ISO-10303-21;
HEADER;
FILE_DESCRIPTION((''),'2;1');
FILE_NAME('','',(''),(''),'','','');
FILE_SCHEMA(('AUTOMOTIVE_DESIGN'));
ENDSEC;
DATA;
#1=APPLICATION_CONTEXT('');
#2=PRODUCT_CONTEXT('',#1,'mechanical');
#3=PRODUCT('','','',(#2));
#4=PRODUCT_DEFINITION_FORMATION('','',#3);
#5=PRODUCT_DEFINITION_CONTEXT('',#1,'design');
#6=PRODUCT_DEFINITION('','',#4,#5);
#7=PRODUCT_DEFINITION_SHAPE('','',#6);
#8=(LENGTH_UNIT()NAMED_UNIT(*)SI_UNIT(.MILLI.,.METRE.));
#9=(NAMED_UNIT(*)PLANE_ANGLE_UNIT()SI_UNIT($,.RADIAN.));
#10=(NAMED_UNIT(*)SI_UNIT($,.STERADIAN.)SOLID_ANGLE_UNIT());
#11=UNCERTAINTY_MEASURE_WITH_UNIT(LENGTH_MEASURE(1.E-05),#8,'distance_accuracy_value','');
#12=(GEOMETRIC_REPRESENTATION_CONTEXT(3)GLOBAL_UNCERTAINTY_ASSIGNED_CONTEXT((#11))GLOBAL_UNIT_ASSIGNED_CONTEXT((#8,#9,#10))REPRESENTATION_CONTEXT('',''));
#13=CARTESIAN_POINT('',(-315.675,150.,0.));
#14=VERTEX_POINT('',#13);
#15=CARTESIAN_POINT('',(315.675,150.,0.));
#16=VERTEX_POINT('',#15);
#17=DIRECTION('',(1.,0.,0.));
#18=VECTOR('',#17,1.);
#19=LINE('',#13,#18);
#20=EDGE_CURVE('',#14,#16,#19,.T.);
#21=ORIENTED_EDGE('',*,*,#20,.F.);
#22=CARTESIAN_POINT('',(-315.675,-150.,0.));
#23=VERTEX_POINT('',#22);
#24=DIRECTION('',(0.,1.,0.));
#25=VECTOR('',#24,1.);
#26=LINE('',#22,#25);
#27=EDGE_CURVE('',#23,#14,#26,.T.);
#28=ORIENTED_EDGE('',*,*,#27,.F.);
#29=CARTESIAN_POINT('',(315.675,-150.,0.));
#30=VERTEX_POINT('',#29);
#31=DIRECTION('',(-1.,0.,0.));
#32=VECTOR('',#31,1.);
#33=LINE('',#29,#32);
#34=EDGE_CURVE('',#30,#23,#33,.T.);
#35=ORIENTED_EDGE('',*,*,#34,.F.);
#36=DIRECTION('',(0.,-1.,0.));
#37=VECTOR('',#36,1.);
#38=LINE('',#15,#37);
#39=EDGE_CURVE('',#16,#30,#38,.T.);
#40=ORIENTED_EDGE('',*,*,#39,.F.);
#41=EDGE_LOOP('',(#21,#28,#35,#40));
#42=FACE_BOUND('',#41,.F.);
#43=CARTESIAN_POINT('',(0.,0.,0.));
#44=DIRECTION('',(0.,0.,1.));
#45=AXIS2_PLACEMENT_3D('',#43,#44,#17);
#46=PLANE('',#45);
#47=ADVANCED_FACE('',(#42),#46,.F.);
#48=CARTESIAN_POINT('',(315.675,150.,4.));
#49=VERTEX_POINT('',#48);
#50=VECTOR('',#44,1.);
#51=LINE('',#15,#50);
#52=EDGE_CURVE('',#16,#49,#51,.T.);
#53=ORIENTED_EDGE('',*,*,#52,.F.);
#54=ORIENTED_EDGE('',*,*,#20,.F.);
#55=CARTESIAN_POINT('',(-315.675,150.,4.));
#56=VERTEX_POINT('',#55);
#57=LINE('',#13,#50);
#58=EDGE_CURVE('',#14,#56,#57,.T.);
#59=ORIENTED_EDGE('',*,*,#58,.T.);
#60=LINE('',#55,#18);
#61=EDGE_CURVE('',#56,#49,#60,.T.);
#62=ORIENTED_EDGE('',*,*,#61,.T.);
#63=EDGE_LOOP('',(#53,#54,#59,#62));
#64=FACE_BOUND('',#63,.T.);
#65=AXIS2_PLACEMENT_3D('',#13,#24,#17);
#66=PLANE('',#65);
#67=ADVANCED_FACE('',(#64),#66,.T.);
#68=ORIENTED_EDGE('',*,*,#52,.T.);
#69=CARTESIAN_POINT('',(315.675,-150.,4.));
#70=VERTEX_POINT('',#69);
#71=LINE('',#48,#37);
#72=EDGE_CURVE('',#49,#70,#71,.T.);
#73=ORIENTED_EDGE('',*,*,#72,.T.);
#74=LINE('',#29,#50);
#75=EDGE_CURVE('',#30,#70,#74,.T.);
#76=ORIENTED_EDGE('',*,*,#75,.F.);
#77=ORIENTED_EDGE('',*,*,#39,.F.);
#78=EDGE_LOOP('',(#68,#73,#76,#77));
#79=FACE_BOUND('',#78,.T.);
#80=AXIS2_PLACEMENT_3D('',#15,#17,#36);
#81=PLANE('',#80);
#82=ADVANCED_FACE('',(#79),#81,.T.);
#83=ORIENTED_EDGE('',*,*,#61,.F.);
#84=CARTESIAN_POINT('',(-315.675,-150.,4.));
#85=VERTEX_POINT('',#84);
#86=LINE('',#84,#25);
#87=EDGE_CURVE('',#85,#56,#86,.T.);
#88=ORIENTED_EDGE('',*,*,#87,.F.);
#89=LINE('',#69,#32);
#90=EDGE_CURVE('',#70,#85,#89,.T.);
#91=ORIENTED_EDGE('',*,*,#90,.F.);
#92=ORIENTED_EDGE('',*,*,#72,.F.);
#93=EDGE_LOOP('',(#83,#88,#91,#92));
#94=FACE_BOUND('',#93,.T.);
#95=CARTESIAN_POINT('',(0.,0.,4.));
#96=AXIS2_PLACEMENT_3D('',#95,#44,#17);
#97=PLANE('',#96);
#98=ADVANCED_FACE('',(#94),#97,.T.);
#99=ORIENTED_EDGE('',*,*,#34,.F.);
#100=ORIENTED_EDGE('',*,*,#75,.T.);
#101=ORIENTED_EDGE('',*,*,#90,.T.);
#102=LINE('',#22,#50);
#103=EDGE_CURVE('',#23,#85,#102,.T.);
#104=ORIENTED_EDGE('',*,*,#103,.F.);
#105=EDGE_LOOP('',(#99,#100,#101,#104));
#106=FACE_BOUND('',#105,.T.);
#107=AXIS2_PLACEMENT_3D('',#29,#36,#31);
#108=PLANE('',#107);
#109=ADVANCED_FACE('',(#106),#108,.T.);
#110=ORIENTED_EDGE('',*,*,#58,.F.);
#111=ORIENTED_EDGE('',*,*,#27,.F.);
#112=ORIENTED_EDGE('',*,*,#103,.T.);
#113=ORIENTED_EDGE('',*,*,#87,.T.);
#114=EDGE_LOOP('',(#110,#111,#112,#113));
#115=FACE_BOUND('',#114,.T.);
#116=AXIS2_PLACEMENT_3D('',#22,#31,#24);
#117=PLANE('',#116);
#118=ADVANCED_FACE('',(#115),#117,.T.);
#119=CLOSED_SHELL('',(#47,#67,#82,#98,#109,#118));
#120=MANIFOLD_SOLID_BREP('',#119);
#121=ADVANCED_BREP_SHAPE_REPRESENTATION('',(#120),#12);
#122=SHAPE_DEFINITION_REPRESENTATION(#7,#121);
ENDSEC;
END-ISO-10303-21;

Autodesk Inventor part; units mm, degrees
ref_plane "YZ Plane" through (0, 0, 0) normal (1, 0, 0) x (0, 1, 0)
ref_plane "XZ Plane" through (0, 0, 0) normal (0, 1, 0) x (-1, 0, 0)
ref_plane "XY Plane" through (0, 0, 0) normal (0, 0, 1) x (1, 0, 0)
sketch "Esboço1" plane through (0, 0, 0) normal (0, 0, 1) x (1, 0, 0)
  line L0 (315.675, -150) -> (-315.675, -150)
  line L1 (-315.675, -150) -> (-315.675, 150)
  line L2 (-315.675, 150) -> (315.675, 150)
  line L3 (315.675, 150) -> (315.675, -150)
  line L4 (315.675, -150) -> (-315.675, 150) construction
  line L5 (-315.675, -150) -> (315.675, 150) construction
  point P0 (0, 0)
  dimension "d0" = 631.35
  dimension "d1" = 300
extrude "Extrusão1" add sketch "Esboço1" along normal blind 4
properties part number "Chapa Frontal - Intake"
